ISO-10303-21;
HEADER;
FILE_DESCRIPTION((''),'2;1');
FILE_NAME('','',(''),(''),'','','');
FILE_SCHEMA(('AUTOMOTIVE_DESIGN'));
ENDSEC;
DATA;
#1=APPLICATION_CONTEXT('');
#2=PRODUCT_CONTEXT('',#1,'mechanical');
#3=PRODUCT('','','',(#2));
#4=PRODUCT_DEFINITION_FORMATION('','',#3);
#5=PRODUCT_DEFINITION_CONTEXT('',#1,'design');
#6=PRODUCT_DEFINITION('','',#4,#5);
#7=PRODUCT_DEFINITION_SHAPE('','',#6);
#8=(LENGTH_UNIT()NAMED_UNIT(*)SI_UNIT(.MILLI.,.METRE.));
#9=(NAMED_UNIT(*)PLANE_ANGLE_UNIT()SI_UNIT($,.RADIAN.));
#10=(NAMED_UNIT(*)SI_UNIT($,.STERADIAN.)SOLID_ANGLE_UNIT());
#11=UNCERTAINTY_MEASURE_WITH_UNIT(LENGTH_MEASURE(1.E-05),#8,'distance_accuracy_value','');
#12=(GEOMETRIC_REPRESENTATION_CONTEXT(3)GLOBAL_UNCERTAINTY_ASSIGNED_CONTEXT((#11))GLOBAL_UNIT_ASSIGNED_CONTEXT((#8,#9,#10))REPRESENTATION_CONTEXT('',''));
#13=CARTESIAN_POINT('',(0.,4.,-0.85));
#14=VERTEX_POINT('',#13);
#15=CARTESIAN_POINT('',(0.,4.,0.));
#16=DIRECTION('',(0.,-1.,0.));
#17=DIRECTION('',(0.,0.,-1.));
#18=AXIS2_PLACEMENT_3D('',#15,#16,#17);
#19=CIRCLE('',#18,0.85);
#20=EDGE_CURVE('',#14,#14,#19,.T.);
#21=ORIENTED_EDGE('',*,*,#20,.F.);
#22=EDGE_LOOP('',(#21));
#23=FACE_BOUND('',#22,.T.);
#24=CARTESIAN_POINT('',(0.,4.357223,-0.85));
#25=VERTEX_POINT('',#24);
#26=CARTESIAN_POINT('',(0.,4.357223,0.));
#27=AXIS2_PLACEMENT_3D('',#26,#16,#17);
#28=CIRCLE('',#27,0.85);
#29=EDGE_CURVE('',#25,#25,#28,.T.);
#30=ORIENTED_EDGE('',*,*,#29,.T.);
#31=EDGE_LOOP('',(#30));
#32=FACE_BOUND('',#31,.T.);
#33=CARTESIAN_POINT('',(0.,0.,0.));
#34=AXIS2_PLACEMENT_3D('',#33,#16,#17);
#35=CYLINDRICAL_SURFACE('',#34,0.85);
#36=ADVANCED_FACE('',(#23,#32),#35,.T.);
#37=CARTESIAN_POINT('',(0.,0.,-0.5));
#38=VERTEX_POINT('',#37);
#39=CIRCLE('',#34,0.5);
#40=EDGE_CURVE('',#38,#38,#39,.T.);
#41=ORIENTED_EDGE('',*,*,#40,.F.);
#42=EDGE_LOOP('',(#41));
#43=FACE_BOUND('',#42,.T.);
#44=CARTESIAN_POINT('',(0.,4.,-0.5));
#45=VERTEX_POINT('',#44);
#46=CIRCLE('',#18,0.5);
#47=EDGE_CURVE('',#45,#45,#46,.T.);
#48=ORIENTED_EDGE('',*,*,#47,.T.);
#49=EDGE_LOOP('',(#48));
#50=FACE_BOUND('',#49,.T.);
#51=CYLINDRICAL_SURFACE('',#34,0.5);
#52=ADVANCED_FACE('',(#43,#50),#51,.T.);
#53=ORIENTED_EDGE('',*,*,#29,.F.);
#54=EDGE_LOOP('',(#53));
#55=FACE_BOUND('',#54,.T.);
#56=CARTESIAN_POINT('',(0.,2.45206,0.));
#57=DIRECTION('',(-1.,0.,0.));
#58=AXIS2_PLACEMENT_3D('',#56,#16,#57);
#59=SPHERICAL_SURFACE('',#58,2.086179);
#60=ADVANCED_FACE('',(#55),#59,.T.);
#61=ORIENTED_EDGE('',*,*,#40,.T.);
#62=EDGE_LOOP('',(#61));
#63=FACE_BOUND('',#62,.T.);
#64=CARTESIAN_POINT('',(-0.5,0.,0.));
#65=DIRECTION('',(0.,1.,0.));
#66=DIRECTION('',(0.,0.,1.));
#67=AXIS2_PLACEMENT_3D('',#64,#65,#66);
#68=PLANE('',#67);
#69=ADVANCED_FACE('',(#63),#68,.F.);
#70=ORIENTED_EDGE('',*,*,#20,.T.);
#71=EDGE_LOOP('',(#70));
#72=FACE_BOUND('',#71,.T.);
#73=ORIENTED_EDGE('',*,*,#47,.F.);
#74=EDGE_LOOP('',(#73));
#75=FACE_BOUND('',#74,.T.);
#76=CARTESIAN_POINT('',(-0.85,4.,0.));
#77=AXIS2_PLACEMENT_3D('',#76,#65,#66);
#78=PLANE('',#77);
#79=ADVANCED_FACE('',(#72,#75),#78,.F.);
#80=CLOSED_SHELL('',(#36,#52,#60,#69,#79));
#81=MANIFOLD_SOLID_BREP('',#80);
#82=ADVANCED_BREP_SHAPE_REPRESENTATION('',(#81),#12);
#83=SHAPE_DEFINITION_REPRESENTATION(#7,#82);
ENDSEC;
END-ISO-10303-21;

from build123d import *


with BuildPart() as part:
    # 草圖1 → 旋轉1 (revolve)
    with BuildSketch(Plane.XY, mode=Mode.PRIVATE) as revolve_1_sk:
        with BuildLine():
            Line((0, 0), (0, 4.538239362))
            ThreePointArc((0, 4.538239362), (-0.434530519, 4.492483378), (-0.85, 4.357222549))
            Line((-0.85, 4.357222549), (-0.85, 4))
            Line((-0.85, 4), (-0.5, 4))
            Line((-0.5, 4), (-0.5, 0))
            Line((-0.5, 0), (0, 0))
        make_face()
    revolve(revolve_1_sk.sketch.rotate(Axis((0, 0, 0), (0, 1, 0)), 270), axis=Axis((0, 0, 0), (0, 1, 0)))


solid = part.part
